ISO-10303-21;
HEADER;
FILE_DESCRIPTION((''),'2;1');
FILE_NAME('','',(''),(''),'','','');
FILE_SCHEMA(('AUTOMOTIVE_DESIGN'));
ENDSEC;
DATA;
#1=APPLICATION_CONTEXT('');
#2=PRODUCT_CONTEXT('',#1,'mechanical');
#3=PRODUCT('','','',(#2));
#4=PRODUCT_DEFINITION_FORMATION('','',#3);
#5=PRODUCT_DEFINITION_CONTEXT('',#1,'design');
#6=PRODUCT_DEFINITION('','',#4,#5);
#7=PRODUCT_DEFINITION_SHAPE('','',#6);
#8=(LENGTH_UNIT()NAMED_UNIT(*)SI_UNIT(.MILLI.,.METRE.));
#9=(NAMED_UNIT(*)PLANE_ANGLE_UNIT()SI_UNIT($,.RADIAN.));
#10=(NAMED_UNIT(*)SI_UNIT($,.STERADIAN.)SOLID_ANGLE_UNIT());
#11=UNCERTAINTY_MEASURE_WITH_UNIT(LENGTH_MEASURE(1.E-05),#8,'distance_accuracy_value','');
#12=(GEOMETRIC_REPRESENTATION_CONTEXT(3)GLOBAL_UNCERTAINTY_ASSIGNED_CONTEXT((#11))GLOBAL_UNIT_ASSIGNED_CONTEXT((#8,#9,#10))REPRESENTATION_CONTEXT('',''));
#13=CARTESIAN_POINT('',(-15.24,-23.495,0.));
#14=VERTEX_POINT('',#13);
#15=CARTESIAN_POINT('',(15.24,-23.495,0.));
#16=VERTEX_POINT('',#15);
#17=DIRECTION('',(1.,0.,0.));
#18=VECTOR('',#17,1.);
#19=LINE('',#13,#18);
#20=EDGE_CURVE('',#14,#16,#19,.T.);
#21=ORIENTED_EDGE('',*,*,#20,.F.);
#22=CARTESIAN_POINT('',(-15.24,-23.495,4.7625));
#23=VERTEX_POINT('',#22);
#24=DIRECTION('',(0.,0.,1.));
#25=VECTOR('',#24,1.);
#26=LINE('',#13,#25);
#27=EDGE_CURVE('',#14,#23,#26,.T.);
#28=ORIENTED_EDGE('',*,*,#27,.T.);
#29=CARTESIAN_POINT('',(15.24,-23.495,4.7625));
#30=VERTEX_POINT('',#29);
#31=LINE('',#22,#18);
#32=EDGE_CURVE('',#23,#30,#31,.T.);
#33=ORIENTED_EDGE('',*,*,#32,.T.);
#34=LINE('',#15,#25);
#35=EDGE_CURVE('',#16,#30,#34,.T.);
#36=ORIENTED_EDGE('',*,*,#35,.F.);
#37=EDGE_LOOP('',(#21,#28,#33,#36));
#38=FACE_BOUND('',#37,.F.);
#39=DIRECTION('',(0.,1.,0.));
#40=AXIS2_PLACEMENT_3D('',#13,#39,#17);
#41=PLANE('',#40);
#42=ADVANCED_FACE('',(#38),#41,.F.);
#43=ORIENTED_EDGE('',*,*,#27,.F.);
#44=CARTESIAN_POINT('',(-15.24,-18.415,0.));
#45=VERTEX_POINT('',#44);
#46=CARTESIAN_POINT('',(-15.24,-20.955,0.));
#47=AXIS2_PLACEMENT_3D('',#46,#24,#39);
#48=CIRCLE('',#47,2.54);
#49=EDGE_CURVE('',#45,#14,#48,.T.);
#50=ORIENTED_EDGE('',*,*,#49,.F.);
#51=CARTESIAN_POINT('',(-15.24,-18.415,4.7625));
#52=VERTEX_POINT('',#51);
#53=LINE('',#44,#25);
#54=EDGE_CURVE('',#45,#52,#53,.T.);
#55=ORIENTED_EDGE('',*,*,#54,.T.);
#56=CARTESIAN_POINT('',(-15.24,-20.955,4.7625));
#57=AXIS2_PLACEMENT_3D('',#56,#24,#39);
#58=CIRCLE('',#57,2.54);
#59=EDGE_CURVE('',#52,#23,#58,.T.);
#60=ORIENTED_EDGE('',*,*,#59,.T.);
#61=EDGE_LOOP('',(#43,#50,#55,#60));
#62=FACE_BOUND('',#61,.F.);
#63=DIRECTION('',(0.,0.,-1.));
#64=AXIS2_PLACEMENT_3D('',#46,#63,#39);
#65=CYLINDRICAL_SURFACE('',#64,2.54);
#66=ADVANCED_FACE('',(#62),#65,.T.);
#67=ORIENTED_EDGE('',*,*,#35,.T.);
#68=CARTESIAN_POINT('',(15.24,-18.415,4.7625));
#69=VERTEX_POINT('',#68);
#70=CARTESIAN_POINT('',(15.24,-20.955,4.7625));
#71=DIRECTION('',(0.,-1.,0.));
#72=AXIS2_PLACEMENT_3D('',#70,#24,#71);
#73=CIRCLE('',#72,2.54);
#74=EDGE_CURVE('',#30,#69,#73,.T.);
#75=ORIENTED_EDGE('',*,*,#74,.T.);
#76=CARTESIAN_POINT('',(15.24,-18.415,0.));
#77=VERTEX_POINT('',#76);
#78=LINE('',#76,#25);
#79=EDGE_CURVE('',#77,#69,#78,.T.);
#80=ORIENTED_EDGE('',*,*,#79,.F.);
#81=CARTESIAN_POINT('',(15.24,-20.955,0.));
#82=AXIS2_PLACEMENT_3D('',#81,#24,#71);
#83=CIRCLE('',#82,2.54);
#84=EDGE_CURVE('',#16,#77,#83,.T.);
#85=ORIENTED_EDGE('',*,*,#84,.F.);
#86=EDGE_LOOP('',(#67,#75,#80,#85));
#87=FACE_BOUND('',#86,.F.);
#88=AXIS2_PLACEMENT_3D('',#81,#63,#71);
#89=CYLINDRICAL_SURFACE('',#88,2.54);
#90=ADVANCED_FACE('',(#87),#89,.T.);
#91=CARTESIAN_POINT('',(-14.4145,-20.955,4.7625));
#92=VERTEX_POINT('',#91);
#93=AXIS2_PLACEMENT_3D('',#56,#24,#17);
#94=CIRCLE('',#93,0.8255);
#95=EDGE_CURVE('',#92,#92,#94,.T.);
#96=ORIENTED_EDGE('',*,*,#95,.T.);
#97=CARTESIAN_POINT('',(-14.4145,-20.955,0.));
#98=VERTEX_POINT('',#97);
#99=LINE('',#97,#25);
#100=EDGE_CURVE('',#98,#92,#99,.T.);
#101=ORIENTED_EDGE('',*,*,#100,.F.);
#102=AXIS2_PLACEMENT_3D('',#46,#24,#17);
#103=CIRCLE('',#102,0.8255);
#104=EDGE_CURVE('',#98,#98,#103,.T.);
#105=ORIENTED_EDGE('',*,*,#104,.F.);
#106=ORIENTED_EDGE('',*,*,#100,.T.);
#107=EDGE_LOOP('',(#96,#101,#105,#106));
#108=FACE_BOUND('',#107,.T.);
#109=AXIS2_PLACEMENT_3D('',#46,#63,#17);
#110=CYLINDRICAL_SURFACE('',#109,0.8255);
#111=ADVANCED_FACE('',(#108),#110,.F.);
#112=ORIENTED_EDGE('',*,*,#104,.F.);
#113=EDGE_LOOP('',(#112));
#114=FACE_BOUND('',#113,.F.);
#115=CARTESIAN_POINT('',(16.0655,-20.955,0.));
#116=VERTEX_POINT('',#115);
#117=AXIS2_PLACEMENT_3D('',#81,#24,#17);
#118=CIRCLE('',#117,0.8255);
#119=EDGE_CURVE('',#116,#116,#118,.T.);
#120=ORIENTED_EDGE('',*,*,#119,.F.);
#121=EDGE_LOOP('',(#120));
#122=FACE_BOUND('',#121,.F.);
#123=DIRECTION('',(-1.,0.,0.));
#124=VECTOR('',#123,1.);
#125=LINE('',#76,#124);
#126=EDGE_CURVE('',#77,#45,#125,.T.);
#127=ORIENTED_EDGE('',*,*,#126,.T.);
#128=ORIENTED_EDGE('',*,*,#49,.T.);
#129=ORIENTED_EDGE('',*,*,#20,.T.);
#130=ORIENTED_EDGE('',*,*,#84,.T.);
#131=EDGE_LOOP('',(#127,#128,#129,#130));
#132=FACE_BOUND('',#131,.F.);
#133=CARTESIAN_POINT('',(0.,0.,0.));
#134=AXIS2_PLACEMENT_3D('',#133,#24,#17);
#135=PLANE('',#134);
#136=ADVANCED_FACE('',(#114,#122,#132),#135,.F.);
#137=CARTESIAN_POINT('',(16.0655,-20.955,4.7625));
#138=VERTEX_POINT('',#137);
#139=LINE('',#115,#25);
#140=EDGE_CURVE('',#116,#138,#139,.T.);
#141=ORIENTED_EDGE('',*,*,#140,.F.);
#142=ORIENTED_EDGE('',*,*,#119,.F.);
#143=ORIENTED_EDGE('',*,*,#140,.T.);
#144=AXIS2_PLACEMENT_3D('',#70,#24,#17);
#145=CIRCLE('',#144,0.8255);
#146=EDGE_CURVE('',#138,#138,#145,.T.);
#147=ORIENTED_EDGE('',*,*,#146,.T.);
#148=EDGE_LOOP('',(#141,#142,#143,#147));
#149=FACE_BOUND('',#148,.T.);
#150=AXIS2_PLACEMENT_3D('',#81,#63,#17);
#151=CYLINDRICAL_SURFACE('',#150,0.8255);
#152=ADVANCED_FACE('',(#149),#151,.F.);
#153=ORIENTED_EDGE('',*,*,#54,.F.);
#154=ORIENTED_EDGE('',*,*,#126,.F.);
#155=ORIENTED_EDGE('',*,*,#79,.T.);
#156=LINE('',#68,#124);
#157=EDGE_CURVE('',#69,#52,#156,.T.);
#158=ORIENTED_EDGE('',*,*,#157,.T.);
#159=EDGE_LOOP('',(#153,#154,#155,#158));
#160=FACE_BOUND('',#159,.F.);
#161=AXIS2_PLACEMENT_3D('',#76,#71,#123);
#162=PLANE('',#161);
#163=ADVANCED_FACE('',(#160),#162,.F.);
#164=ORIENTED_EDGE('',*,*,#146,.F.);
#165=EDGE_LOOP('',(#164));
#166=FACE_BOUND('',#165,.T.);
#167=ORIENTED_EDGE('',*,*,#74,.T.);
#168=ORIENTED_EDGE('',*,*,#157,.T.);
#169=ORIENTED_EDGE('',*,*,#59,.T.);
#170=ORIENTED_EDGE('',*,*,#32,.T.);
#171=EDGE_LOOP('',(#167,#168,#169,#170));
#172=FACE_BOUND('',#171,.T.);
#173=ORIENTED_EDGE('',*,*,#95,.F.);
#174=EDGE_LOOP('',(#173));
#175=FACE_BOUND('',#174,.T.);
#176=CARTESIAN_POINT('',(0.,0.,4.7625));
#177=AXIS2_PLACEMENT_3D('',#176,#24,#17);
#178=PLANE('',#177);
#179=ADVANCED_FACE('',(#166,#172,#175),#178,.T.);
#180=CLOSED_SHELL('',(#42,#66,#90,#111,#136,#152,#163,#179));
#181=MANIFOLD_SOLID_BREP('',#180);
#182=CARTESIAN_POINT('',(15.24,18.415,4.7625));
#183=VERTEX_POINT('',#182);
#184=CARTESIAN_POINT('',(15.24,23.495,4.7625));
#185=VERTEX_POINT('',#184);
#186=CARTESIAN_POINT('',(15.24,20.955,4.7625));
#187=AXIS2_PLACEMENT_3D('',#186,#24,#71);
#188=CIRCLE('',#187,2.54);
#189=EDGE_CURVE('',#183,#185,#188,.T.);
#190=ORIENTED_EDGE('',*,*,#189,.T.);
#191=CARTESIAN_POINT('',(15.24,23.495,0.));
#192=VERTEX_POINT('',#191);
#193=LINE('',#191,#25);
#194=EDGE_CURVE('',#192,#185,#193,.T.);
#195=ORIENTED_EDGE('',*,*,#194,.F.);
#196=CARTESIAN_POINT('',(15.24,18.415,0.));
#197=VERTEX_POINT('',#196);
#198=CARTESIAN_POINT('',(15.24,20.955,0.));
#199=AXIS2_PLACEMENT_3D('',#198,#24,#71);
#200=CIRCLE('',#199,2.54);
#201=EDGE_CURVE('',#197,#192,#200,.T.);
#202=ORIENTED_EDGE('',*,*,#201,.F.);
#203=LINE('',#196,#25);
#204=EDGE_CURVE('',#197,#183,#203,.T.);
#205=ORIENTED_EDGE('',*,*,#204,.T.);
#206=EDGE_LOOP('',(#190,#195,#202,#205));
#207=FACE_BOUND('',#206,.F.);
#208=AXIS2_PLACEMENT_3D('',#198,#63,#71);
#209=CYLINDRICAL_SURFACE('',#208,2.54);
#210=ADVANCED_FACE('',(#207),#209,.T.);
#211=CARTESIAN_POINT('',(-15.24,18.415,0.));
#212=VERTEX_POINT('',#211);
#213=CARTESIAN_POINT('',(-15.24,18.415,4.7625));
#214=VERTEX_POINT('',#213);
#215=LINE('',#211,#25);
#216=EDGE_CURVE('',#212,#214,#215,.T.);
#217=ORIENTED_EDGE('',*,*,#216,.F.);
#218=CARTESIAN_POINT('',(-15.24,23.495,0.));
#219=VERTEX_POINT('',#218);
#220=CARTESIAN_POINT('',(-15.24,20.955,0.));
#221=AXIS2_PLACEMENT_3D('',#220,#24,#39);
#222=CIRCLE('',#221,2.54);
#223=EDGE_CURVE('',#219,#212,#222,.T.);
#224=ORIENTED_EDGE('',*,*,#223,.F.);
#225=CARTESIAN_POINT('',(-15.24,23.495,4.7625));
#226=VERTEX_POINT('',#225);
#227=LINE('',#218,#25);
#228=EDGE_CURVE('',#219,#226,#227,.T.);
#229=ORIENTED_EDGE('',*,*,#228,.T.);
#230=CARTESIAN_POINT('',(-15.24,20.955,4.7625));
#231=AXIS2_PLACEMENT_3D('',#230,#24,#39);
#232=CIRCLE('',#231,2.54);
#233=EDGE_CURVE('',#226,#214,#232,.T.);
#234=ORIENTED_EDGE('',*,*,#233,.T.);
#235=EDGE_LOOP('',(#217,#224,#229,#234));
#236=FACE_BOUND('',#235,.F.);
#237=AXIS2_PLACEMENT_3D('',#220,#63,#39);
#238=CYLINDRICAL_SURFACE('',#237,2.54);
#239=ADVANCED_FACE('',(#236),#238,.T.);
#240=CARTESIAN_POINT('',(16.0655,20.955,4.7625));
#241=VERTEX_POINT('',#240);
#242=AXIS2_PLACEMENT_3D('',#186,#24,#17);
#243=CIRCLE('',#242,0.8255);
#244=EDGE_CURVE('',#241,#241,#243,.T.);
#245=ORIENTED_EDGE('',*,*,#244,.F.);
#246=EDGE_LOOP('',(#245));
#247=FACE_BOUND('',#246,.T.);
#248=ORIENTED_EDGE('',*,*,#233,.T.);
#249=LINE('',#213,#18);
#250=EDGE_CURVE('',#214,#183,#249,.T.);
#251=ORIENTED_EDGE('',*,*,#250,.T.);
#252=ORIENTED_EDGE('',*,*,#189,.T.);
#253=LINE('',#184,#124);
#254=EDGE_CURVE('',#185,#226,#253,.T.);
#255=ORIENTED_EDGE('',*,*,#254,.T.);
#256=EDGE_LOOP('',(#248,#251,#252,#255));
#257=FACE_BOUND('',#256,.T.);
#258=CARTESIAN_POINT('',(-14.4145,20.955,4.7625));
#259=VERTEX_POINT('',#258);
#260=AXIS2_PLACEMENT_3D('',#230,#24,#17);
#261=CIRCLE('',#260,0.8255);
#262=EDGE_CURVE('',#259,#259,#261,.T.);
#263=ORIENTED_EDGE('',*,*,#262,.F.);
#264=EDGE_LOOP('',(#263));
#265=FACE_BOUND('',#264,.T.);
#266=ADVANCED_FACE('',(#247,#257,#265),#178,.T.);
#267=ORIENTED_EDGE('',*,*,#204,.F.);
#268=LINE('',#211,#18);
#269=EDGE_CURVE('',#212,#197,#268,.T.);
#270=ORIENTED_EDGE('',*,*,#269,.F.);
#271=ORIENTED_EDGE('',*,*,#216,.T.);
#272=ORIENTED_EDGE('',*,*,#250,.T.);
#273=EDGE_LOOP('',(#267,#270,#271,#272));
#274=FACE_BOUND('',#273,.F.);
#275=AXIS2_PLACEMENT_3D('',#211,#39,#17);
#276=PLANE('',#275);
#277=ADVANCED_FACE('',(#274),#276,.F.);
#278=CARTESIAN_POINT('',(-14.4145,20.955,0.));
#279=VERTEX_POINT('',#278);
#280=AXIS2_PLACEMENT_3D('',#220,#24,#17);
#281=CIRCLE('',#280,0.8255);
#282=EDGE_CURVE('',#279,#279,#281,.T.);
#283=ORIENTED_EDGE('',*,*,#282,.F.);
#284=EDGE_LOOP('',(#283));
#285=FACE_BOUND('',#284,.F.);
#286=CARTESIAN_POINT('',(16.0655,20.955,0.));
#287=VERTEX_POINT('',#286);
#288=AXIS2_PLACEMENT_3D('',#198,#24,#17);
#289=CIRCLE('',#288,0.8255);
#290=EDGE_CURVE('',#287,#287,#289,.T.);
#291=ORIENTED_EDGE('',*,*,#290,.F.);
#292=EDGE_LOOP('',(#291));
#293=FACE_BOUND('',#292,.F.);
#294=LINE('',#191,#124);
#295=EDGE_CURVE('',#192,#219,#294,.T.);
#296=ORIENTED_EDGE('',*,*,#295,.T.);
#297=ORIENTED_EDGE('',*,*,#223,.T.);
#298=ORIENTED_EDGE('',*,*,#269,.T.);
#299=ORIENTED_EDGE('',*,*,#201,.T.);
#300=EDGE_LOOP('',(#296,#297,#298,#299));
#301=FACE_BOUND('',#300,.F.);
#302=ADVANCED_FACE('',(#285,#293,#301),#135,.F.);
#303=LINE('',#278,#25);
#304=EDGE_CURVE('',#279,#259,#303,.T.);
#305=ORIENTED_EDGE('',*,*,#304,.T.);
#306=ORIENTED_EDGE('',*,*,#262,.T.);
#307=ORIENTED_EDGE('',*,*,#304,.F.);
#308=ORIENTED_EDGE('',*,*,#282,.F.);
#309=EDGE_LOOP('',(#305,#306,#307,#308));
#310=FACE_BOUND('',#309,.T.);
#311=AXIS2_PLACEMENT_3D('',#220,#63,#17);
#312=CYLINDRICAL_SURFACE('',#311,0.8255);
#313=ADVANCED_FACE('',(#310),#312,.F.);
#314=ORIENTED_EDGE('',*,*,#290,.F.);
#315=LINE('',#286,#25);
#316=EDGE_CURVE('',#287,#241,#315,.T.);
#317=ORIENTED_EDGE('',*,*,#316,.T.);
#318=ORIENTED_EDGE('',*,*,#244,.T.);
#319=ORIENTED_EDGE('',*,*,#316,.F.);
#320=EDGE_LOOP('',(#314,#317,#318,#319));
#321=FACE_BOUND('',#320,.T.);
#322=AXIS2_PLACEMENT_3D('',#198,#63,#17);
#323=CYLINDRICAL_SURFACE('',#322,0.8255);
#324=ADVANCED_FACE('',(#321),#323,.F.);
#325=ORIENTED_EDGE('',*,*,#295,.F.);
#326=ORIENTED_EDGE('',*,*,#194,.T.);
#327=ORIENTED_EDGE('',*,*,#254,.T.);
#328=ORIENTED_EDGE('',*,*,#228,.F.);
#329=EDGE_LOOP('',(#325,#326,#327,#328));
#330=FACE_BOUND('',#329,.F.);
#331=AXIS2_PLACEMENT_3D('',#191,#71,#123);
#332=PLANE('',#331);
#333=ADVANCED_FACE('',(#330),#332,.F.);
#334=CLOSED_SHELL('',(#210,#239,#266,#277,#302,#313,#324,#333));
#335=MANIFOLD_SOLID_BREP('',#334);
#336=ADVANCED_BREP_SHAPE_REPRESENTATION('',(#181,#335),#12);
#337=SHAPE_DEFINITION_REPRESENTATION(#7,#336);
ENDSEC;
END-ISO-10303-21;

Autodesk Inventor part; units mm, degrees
ref_plane "YZ Plane" through (0, 0, 0) normal (1, 0, 0) x (0, 1, 0)
ref_plane "XZ Plane" through (0, 0, 0) normal (0, 1, 0) x (-1, 0, 0)
ref_plane "XY Plane" through (0, 0, 0) normal (0, 0, 1) x (1, 0, 0)
ref_plane "Work Plane1" through (0, 0, 0) normal (0, 0, 1) x (1, 0, 0)
sketch "Sketch1" plane through (0, 0, 0) normal (0, 0, 1) x (1, 0, 0)
  circle A0 centre (-15.24, -20.955) radius 1.25 construction
  circle A1 centre (15.24, -20.955) radius 1.25 construction
  circle A2 centre (15.24, 20.955) radius 1.25 construction
  circle A3 centre (-15.24, 20.955) radius 1.25 construction
  circle A4 centre (-15.24, 20.955) radius 0.8255
  circle A5 centre (15.24, 20.955) radius 0.8255
  circle A6 centre (-15.24, -20.955) radius 0.8255
  circle A7 centre (15.24, -20.955) radius 0.8255
  line L0 (-15.24, 20.955) -> (15.24, 20.955) construction
  line L1 (-15.24, 18.415) -> (15.24, 18.415)
  line L2 (15.24, 23.495) -> (-15.24, 23.495)
  arc A8 (-15.24, 23.495) -> (-15.24, 18.415) centre (-15.24, 20.955) ccw
  arc A9 (15.24, 18.415) -> (15.24, 23.495) centre (15.24, 20.955) ccw
  line L3 (-15.24, -20.955) -> (15.24, -20.955) construction
  line L4 (-15.24, -23.495) -> (15.24, -23.495)
  line L5 (15.24, -18.415) -> (-15.24, -18.415)
  arc A10 (-15.24, -18.415) -> (-15.24, -23.495) centre (-15.24, -20.955) ccw
  arc A11 (15.24, -23.495) -> (15.24, -18.415) centre (15.24, -20.955) ccw
  point P0 (0, 0)
  point P1 (0, 20.955)
  point P2 (0, -20.955)
  dimension "d0" = 1.651
  dimension "d1" = 5.08
  dimension "d2" = 5.08
extrude "Extrusion1" add sketch "Sketch1" along normal blind 4.7625
properties part number "Oled Mount"
